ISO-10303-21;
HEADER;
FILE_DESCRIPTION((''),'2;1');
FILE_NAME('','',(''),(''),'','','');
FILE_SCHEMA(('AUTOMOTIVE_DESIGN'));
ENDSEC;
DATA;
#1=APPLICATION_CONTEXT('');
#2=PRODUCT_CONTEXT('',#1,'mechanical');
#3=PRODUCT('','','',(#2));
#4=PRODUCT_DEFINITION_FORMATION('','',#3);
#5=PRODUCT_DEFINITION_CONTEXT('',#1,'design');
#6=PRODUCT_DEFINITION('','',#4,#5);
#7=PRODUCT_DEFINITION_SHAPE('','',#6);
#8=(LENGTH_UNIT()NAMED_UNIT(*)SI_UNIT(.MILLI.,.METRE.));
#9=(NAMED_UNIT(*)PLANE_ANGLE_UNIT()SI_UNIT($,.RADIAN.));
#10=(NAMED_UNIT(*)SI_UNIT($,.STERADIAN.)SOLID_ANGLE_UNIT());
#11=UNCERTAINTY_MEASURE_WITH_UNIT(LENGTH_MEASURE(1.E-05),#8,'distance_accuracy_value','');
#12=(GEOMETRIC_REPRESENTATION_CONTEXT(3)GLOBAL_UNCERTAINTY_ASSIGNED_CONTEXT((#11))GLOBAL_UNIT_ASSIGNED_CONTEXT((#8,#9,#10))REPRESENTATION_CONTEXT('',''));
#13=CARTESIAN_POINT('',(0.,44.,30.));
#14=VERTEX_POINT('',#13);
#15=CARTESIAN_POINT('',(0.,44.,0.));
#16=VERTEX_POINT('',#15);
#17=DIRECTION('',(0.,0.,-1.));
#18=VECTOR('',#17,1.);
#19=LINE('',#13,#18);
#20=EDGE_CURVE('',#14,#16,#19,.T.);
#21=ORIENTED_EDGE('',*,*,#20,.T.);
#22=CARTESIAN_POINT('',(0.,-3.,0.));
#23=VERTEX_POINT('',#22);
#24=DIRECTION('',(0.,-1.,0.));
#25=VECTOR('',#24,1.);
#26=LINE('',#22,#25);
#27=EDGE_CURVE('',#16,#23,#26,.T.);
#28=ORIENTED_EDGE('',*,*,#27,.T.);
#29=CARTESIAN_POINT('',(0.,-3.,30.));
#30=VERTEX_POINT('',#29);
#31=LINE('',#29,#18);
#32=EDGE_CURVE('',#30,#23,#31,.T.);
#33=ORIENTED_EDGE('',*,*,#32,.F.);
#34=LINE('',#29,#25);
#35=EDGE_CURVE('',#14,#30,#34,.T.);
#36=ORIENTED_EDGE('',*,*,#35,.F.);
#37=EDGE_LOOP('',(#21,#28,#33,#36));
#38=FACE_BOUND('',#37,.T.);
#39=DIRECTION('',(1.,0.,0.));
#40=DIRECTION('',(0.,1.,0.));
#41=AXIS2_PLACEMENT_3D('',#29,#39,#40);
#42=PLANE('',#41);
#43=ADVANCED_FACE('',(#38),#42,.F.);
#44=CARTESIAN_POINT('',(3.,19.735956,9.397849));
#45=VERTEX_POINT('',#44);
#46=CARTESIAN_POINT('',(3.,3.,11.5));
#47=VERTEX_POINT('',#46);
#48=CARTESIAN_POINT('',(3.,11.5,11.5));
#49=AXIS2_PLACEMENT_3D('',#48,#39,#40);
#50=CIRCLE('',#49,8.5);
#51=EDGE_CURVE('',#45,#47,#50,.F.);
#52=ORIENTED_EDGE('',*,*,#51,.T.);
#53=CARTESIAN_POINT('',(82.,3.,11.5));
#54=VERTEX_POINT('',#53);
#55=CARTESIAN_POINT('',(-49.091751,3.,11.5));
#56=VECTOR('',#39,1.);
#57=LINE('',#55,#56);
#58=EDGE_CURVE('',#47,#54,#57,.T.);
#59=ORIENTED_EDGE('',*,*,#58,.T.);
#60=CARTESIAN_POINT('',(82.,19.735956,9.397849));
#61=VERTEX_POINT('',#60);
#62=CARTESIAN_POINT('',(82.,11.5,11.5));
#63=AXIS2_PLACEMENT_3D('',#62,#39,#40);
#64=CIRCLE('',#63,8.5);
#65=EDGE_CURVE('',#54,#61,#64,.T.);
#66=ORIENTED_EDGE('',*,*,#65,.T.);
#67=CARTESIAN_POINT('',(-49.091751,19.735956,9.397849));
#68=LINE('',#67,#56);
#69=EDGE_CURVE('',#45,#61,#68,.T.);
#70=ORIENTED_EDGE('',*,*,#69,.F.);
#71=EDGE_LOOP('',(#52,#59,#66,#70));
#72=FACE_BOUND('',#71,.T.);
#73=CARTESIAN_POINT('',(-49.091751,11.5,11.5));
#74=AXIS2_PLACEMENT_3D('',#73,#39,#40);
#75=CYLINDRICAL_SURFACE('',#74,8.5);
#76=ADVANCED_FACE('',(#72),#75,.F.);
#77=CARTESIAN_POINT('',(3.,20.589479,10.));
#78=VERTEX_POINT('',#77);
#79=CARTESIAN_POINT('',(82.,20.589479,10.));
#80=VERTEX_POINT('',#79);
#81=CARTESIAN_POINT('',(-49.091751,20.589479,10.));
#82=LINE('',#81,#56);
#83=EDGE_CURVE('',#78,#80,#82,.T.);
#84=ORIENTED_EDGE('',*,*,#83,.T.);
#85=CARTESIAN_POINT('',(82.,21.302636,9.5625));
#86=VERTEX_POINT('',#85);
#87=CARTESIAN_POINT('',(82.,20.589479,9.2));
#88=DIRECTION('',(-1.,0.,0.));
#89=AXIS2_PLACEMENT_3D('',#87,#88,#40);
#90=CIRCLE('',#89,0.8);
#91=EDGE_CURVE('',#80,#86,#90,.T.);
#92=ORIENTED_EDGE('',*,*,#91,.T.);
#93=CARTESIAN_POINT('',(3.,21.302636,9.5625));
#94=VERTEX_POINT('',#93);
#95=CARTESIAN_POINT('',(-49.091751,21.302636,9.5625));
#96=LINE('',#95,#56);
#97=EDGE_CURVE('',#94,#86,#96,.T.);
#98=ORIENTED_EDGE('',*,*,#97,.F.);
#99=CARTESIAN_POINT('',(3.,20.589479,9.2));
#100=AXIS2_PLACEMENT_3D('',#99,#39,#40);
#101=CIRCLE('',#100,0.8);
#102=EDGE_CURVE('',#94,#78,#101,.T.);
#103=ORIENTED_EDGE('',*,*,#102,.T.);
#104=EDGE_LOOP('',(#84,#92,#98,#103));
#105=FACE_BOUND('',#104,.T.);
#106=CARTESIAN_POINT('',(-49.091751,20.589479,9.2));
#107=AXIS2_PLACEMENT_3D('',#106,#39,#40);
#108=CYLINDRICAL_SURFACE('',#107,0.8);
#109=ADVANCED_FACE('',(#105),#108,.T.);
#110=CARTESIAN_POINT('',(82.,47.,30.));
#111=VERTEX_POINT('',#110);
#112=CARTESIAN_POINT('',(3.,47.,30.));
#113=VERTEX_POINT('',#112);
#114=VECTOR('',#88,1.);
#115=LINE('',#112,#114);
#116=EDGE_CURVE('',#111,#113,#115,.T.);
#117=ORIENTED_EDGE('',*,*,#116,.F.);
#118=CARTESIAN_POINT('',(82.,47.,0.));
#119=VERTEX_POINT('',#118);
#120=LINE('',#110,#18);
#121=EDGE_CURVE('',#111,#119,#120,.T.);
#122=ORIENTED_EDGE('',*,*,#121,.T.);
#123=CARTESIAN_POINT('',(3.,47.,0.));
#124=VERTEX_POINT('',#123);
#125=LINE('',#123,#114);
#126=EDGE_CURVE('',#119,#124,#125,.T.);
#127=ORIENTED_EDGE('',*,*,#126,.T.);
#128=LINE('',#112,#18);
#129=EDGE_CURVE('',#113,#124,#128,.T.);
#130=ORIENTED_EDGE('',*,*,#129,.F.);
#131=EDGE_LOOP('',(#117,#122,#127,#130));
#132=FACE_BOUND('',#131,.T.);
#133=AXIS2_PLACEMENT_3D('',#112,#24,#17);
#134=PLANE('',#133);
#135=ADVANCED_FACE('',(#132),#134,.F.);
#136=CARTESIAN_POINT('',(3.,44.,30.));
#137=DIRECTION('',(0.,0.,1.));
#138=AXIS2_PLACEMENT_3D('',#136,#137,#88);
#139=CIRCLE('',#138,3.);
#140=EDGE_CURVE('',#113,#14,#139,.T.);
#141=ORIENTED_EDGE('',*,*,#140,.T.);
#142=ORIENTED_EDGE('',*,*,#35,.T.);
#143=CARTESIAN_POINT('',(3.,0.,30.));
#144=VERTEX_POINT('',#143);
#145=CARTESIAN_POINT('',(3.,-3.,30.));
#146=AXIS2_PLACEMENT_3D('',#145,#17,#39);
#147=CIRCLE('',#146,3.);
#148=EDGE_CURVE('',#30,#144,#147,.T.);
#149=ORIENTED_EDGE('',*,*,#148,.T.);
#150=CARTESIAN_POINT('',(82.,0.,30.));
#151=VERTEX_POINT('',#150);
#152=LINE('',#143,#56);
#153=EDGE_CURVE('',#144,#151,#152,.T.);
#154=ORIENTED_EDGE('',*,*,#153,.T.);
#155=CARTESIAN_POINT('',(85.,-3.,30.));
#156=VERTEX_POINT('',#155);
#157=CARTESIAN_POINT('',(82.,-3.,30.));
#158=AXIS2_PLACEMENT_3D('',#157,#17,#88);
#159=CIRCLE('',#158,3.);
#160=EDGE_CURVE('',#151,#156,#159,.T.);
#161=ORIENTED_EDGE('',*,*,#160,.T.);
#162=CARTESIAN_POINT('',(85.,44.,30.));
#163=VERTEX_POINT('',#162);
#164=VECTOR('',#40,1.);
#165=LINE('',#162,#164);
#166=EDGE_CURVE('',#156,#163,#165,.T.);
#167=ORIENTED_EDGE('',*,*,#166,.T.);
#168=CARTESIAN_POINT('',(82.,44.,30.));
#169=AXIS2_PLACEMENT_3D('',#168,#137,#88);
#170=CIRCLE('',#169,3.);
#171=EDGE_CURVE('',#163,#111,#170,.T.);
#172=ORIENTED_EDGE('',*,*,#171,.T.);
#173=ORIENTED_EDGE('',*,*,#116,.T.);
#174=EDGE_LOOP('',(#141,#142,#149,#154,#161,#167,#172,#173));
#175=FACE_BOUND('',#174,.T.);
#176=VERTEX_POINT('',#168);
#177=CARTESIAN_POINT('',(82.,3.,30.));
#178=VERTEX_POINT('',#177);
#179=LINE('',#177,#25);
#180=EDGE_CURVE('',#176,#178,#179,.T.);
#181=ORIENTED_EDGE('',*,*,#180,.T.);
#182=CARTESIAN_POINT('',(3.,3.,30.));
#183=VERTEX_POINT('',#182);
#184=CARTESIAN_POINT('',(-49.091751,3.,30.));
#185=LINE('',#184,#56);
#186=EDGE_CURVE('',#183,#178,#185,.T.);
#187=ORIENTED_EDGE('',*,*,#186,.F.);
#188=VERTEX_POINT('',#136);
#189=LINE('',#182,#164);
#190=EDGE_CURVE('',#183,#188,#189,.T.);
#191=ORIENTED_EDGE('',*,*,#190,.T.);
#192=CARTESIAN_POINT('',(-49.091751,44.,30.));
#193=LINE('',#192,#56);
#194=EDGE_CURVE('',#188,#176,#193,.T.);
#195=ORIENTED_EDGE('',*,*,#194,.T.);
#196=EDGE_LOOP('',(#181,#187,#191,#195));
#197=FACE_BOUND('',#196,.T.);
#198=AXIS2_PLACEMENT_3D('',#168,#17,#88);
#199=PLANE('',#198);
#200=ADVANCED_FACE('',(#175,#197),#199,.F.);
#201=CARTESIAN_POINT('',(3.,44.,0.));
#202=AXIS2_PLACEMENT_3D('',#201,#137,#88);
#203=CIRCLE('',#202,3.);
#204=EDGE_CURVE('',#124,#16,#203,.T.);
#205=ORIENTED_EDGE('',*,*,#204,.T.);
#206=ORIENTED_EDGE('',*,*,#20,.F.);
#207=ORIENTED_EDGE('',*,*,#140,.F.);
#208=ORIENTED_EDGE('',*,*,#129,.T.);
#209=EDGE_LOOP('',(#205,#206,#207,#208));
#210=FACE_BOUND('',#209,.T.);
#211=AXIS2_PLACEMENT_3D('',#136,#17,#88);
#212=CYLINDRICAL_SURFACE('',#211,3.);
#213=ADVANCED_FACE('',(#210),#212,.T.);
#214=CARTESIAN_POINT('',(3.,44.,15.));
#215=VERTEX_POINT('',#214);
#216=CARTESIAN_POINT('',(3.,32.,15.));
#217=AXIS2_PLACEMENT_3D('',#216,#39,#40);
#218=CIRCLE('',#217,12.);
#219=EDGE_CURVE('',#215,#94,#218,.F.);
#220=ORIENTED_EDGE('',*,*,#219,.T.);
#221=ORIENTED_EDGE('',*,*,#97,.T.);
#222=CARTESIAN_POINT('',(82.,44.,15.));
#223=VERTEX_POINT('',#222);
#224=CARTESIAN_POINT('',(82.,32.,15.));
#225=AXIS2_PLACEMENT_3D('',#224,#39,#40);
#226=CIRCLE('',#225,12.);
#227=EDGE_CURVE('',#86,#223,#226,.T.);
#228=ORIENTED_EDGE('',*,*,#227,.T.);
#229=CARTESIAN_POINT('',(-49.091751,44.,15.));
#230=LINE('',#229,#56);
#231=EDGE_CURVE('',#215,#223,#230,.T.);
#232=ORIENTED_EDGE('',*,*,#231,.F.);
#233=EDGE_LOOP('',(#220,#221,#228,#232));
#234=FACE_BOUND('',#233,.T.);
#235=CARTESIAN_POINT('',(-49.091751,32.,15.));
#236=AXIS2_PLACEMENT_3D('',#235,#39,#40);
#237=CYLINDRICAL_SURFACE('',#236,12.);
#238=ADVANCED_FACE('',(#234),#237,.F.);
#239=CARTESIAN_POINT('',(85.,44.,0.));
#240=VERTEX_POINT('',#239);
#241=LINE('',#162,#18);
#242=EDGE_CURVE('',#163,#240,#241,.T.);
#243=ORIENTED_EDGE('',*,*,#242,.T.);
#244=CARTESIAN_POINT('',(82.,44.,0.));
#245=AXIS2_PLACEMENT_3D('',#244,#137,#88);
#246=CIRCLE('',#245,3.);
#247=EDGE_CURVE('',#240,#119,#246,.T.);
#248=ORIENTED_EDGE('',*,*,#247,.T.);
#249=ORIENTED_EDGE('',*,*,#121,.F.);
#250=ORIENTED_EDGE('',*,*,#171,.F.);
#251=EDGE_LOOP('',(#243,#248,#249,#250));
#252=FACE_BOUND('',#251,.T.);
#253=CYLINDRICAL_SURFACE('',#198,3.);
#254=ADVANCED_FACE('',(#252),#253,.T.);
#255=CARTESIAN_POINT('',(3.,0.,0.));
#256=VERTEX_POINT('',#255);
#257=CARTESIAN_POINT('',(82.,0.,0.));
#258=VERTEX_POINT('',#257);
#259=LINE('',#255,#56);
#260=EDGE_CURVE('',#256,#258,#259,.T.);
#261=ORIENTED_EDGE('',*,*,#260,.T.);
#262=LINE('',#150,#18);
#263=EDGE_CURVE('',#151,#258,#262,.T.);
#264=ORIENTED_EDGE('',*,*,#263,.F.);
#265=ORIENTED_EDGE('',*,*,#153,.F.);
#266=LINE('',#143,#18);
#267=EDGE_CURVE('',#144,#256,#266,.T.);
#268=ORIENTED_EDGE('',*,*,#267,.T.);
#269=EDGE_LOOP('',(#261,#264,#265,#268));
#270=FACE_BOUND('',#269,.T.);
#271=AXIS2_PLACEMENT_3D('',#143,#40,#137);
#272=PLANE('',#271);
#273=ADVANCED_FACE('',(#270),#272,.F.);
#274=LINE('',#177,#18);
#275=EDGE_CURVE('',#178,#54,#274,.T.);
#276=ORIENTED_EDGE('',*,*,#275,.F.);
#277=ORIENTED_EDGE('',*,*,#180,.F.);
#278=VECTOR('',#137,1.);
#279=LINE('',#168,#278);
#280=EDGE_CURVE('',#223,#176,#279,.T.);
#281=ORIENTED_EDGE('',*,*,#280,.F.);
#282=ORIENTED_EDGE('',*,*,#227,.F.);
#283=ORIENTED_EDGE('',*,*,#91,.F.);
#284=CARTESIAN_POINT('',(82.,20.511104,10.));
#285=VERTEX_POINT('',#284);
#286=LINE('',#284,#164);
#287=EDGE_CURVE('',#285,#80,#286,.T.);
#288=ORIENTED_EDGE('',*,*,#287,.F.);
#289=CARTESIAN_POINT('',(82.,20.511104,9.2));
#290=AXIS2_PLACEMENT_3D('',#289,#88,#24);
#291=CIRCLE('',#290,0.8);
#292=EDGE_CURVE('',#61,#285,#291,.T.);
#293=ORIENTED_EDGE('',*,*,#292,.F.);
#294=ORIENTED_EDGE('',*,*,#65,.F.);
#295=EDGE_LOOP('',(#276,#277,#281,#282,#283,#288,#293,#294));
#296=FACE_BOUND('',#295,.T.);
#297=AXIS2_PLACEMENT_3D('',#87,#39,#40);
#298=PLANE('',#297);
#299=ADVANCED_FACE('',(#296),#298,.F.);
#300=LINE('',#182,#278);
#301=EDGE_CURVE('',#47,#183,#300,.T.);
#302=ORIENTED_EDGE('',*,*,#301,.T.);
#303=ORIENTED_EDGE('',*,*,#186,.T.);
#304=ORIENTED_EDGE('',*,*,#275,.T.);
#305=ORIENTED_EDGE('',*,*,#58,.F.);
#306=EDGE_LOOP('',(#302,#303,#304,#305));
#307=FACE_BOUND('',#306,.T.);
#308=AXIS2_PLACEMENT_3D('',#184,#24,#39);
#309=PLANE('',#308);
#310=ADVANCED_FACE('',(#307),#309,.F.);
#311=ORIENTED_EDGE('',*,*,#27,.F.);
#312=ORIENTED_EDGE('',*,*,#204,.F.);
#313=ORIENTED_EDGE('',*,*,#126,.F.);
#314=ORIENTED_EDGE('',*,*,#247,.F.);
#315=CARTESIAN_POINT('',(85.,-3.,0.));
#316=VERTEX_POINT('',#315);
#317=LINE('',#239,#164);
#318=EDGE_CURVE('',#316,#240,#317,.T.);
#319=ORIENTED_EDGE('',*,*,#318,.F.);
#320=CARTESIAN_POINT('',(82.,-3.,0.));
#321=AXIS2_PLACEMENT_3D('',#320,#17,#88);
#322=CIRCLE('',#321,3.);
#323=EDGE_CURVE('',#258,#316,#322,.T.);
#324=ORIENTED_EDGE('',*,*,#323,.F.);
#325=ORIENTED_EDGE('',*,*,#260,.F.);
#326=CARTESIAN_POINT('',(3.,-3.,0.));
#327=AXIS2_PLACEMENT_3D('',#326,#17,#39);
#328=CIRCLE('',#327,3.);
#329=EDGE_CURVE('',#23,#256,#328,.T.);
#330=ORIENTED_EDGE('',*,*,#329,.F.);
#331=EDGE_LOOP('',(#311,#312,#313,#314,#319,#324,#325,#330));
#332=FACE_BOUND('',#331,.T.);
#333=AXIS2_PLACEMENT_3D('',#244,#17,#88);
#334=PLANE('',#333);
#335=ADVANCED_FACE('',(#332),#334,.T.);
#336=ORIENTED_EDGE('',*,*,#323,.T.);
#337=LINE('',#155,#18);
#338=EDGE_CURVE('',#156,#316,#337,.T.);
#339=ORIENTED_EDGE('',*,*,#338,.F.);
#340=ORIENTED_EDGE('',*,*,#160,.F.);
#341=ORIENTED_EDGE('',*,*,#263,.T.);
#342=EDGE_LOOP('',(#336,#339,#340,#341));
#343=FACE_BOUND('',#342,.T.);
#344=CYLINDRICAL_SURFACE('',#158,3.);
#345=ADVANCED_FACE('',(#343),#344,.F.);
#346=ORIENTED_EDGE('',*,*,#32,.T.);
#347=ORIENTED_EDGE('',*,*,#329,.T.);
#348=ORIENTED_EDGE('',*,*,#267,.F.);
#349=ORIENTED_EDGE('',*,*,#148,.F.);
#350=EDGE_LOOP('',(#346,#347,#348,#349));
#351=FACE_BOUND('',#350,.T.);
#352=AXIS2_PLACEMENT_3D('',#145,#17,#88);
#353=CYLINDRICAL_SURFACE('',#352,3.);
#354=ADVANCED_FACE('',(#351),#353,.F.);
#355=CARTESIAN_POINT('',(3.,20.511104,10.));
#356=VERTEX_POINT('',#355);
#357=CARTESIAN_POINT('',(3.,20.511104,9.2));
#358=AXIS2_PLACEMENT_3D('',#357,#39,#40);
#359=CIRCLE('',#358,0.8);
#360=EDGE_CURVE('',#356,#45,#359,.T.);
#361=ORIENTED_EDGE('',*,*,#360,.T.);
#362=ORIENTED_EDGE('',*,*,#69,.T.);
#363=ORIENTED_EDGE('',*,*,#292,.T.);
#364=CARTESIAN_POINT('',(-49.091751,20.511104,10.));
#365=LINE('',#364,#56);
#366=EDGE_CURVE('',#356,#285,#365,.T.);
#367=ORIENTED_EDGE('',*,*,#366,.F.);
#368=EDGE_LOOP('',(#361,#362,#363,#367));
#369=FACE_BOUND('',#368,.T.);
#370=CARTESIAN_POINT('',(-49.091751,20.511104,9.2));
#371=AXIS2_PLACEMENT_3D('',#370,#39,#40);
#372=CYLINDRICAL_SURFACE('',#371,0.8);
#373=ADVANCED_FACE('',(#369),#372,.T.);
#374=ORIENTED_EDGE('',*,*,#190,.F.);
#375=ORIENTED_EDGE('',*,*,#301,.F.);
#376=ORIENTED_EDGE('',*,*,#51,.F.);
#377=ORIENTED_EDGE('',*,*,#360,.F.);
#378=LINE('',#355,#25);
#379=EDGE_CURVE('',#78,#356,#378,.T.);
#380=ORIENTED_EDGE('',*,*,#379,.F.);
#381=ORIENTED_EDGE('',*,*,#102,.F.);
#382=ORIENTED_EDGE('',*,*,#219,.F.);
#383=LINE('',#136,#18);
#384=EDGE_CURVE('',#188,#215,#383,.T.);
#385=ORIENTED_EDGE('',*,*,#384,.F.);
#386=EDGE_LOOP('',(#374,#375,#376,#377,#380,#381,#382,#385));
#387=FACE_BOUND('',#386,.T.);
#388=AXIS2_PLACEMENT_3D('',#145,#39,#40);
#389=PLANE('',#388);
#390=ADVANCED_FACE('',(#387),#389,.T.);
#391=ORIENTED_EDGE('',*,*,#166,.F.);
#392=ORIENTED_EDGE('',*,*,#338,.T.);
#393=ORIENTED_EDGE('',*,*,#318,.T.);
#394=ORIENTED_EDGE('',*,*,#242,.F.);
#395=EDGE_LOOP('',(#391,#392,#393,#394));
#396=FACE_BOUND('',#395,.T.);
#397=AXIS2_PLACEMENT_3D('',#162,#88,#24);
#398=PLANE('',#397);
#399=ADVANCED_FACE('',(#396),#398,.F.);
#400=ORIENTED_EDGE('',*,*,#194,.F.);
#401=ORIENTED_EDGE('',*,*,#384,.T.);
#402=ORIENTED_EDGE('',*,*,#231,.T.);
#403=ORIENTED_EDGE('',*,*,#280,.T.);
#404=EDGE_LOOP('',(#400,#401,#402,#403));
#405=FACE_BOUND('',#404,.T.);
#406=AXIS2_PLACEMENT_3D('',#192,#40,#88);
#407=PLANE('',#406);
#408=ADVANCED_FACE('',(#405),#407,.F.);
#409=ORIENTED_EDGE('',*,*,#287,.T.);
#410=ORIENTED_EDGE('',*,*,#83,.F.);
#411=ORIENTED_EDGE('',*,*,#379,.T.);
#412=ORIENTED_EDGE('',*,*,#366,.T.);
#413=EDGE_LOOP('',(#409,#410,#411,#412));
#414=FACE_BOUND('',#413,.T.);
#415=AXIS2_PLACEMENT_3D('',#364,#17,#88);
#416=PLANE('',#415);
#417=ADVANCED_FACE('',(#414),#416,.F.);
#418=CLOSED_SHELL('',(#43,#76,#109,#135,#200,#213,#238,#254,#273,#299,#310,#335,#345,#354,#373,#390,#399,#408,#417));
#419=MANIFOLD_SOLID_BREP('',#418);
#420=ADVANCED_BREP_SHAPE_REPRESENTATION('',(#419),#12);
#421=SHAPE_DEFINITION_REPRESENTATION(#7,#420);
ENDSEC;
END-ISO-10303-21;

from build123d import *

# Parameters (mm, degrees)
BOSS_EXTRUDE1_DEPTH = 30
CUT_EXTRUDE1_START  = -3
CUT_EXTRUDE1_DEPTH  = 79


with BuildPart() as part:
    # Sketch1 → Boss-Extrude1 (new body)
    with BuildSketch(Plane.XY):
        with BuildLine():
            Line((3, 47), (82, 47))
            ThreePointArc((82, 47), (84.121320344, 46.121320344), (85, 44))
            Line((85, 44), (85, -3))
            ThreePointArc((85, -3), (84.121320344, -0.878679656), (82, 0))
            Line((82, 0), (3, 0))
            ThreePointArc((3, 0), (0.878679656, -0.878679656), (0, -3))
            Line((0, -3), (0, 44))
            ThreePointArc((0, 44), (0.878679656, 46.121320344), (3, 47))
        make_face()
    extrude(amount=BOSS_EXTRUDE1_DEPTH)

    # Sketch2 → Cut-Extrude1 (cut)
    with BuildSketch(Plane(origin=(85, 0, 0), x_dir=(0, 0, -1), z_dir=(1, 0, 0)).offset(CUT_EXTRUDE1_START)):
        with BuildLine():
            Line((-30, 3), (-11.5, 3))
            ThreePointArc((-11.5, 3), (-3.066269455, 10.440665731), (-9.397849462, 19.735955507))
            ThreePointArc((-9.397849462, 19.735955507), (-9.831775106, 20.020329144), (-10, 20.511104261))
            Line((-10, 20.511104261), (-10, 20.58947854))
            ThreePointArc((-10, 20.58947854), (-9.881909085, 21.007808553), (-9.5625, 21.302636131))
            ThreePointArc((-9.5625, 21.302636131), (-3.330202092, 34.795678233), (-15, 44))
            Line((-15, 44), (-30, 44))
            Line((-30, 44), (-30, 3))
        make_face()
    extrude(amount=-CUT_EXTRUDE1_DEPTH, mode=Mode.SUBTRACT)


solid = part.part
